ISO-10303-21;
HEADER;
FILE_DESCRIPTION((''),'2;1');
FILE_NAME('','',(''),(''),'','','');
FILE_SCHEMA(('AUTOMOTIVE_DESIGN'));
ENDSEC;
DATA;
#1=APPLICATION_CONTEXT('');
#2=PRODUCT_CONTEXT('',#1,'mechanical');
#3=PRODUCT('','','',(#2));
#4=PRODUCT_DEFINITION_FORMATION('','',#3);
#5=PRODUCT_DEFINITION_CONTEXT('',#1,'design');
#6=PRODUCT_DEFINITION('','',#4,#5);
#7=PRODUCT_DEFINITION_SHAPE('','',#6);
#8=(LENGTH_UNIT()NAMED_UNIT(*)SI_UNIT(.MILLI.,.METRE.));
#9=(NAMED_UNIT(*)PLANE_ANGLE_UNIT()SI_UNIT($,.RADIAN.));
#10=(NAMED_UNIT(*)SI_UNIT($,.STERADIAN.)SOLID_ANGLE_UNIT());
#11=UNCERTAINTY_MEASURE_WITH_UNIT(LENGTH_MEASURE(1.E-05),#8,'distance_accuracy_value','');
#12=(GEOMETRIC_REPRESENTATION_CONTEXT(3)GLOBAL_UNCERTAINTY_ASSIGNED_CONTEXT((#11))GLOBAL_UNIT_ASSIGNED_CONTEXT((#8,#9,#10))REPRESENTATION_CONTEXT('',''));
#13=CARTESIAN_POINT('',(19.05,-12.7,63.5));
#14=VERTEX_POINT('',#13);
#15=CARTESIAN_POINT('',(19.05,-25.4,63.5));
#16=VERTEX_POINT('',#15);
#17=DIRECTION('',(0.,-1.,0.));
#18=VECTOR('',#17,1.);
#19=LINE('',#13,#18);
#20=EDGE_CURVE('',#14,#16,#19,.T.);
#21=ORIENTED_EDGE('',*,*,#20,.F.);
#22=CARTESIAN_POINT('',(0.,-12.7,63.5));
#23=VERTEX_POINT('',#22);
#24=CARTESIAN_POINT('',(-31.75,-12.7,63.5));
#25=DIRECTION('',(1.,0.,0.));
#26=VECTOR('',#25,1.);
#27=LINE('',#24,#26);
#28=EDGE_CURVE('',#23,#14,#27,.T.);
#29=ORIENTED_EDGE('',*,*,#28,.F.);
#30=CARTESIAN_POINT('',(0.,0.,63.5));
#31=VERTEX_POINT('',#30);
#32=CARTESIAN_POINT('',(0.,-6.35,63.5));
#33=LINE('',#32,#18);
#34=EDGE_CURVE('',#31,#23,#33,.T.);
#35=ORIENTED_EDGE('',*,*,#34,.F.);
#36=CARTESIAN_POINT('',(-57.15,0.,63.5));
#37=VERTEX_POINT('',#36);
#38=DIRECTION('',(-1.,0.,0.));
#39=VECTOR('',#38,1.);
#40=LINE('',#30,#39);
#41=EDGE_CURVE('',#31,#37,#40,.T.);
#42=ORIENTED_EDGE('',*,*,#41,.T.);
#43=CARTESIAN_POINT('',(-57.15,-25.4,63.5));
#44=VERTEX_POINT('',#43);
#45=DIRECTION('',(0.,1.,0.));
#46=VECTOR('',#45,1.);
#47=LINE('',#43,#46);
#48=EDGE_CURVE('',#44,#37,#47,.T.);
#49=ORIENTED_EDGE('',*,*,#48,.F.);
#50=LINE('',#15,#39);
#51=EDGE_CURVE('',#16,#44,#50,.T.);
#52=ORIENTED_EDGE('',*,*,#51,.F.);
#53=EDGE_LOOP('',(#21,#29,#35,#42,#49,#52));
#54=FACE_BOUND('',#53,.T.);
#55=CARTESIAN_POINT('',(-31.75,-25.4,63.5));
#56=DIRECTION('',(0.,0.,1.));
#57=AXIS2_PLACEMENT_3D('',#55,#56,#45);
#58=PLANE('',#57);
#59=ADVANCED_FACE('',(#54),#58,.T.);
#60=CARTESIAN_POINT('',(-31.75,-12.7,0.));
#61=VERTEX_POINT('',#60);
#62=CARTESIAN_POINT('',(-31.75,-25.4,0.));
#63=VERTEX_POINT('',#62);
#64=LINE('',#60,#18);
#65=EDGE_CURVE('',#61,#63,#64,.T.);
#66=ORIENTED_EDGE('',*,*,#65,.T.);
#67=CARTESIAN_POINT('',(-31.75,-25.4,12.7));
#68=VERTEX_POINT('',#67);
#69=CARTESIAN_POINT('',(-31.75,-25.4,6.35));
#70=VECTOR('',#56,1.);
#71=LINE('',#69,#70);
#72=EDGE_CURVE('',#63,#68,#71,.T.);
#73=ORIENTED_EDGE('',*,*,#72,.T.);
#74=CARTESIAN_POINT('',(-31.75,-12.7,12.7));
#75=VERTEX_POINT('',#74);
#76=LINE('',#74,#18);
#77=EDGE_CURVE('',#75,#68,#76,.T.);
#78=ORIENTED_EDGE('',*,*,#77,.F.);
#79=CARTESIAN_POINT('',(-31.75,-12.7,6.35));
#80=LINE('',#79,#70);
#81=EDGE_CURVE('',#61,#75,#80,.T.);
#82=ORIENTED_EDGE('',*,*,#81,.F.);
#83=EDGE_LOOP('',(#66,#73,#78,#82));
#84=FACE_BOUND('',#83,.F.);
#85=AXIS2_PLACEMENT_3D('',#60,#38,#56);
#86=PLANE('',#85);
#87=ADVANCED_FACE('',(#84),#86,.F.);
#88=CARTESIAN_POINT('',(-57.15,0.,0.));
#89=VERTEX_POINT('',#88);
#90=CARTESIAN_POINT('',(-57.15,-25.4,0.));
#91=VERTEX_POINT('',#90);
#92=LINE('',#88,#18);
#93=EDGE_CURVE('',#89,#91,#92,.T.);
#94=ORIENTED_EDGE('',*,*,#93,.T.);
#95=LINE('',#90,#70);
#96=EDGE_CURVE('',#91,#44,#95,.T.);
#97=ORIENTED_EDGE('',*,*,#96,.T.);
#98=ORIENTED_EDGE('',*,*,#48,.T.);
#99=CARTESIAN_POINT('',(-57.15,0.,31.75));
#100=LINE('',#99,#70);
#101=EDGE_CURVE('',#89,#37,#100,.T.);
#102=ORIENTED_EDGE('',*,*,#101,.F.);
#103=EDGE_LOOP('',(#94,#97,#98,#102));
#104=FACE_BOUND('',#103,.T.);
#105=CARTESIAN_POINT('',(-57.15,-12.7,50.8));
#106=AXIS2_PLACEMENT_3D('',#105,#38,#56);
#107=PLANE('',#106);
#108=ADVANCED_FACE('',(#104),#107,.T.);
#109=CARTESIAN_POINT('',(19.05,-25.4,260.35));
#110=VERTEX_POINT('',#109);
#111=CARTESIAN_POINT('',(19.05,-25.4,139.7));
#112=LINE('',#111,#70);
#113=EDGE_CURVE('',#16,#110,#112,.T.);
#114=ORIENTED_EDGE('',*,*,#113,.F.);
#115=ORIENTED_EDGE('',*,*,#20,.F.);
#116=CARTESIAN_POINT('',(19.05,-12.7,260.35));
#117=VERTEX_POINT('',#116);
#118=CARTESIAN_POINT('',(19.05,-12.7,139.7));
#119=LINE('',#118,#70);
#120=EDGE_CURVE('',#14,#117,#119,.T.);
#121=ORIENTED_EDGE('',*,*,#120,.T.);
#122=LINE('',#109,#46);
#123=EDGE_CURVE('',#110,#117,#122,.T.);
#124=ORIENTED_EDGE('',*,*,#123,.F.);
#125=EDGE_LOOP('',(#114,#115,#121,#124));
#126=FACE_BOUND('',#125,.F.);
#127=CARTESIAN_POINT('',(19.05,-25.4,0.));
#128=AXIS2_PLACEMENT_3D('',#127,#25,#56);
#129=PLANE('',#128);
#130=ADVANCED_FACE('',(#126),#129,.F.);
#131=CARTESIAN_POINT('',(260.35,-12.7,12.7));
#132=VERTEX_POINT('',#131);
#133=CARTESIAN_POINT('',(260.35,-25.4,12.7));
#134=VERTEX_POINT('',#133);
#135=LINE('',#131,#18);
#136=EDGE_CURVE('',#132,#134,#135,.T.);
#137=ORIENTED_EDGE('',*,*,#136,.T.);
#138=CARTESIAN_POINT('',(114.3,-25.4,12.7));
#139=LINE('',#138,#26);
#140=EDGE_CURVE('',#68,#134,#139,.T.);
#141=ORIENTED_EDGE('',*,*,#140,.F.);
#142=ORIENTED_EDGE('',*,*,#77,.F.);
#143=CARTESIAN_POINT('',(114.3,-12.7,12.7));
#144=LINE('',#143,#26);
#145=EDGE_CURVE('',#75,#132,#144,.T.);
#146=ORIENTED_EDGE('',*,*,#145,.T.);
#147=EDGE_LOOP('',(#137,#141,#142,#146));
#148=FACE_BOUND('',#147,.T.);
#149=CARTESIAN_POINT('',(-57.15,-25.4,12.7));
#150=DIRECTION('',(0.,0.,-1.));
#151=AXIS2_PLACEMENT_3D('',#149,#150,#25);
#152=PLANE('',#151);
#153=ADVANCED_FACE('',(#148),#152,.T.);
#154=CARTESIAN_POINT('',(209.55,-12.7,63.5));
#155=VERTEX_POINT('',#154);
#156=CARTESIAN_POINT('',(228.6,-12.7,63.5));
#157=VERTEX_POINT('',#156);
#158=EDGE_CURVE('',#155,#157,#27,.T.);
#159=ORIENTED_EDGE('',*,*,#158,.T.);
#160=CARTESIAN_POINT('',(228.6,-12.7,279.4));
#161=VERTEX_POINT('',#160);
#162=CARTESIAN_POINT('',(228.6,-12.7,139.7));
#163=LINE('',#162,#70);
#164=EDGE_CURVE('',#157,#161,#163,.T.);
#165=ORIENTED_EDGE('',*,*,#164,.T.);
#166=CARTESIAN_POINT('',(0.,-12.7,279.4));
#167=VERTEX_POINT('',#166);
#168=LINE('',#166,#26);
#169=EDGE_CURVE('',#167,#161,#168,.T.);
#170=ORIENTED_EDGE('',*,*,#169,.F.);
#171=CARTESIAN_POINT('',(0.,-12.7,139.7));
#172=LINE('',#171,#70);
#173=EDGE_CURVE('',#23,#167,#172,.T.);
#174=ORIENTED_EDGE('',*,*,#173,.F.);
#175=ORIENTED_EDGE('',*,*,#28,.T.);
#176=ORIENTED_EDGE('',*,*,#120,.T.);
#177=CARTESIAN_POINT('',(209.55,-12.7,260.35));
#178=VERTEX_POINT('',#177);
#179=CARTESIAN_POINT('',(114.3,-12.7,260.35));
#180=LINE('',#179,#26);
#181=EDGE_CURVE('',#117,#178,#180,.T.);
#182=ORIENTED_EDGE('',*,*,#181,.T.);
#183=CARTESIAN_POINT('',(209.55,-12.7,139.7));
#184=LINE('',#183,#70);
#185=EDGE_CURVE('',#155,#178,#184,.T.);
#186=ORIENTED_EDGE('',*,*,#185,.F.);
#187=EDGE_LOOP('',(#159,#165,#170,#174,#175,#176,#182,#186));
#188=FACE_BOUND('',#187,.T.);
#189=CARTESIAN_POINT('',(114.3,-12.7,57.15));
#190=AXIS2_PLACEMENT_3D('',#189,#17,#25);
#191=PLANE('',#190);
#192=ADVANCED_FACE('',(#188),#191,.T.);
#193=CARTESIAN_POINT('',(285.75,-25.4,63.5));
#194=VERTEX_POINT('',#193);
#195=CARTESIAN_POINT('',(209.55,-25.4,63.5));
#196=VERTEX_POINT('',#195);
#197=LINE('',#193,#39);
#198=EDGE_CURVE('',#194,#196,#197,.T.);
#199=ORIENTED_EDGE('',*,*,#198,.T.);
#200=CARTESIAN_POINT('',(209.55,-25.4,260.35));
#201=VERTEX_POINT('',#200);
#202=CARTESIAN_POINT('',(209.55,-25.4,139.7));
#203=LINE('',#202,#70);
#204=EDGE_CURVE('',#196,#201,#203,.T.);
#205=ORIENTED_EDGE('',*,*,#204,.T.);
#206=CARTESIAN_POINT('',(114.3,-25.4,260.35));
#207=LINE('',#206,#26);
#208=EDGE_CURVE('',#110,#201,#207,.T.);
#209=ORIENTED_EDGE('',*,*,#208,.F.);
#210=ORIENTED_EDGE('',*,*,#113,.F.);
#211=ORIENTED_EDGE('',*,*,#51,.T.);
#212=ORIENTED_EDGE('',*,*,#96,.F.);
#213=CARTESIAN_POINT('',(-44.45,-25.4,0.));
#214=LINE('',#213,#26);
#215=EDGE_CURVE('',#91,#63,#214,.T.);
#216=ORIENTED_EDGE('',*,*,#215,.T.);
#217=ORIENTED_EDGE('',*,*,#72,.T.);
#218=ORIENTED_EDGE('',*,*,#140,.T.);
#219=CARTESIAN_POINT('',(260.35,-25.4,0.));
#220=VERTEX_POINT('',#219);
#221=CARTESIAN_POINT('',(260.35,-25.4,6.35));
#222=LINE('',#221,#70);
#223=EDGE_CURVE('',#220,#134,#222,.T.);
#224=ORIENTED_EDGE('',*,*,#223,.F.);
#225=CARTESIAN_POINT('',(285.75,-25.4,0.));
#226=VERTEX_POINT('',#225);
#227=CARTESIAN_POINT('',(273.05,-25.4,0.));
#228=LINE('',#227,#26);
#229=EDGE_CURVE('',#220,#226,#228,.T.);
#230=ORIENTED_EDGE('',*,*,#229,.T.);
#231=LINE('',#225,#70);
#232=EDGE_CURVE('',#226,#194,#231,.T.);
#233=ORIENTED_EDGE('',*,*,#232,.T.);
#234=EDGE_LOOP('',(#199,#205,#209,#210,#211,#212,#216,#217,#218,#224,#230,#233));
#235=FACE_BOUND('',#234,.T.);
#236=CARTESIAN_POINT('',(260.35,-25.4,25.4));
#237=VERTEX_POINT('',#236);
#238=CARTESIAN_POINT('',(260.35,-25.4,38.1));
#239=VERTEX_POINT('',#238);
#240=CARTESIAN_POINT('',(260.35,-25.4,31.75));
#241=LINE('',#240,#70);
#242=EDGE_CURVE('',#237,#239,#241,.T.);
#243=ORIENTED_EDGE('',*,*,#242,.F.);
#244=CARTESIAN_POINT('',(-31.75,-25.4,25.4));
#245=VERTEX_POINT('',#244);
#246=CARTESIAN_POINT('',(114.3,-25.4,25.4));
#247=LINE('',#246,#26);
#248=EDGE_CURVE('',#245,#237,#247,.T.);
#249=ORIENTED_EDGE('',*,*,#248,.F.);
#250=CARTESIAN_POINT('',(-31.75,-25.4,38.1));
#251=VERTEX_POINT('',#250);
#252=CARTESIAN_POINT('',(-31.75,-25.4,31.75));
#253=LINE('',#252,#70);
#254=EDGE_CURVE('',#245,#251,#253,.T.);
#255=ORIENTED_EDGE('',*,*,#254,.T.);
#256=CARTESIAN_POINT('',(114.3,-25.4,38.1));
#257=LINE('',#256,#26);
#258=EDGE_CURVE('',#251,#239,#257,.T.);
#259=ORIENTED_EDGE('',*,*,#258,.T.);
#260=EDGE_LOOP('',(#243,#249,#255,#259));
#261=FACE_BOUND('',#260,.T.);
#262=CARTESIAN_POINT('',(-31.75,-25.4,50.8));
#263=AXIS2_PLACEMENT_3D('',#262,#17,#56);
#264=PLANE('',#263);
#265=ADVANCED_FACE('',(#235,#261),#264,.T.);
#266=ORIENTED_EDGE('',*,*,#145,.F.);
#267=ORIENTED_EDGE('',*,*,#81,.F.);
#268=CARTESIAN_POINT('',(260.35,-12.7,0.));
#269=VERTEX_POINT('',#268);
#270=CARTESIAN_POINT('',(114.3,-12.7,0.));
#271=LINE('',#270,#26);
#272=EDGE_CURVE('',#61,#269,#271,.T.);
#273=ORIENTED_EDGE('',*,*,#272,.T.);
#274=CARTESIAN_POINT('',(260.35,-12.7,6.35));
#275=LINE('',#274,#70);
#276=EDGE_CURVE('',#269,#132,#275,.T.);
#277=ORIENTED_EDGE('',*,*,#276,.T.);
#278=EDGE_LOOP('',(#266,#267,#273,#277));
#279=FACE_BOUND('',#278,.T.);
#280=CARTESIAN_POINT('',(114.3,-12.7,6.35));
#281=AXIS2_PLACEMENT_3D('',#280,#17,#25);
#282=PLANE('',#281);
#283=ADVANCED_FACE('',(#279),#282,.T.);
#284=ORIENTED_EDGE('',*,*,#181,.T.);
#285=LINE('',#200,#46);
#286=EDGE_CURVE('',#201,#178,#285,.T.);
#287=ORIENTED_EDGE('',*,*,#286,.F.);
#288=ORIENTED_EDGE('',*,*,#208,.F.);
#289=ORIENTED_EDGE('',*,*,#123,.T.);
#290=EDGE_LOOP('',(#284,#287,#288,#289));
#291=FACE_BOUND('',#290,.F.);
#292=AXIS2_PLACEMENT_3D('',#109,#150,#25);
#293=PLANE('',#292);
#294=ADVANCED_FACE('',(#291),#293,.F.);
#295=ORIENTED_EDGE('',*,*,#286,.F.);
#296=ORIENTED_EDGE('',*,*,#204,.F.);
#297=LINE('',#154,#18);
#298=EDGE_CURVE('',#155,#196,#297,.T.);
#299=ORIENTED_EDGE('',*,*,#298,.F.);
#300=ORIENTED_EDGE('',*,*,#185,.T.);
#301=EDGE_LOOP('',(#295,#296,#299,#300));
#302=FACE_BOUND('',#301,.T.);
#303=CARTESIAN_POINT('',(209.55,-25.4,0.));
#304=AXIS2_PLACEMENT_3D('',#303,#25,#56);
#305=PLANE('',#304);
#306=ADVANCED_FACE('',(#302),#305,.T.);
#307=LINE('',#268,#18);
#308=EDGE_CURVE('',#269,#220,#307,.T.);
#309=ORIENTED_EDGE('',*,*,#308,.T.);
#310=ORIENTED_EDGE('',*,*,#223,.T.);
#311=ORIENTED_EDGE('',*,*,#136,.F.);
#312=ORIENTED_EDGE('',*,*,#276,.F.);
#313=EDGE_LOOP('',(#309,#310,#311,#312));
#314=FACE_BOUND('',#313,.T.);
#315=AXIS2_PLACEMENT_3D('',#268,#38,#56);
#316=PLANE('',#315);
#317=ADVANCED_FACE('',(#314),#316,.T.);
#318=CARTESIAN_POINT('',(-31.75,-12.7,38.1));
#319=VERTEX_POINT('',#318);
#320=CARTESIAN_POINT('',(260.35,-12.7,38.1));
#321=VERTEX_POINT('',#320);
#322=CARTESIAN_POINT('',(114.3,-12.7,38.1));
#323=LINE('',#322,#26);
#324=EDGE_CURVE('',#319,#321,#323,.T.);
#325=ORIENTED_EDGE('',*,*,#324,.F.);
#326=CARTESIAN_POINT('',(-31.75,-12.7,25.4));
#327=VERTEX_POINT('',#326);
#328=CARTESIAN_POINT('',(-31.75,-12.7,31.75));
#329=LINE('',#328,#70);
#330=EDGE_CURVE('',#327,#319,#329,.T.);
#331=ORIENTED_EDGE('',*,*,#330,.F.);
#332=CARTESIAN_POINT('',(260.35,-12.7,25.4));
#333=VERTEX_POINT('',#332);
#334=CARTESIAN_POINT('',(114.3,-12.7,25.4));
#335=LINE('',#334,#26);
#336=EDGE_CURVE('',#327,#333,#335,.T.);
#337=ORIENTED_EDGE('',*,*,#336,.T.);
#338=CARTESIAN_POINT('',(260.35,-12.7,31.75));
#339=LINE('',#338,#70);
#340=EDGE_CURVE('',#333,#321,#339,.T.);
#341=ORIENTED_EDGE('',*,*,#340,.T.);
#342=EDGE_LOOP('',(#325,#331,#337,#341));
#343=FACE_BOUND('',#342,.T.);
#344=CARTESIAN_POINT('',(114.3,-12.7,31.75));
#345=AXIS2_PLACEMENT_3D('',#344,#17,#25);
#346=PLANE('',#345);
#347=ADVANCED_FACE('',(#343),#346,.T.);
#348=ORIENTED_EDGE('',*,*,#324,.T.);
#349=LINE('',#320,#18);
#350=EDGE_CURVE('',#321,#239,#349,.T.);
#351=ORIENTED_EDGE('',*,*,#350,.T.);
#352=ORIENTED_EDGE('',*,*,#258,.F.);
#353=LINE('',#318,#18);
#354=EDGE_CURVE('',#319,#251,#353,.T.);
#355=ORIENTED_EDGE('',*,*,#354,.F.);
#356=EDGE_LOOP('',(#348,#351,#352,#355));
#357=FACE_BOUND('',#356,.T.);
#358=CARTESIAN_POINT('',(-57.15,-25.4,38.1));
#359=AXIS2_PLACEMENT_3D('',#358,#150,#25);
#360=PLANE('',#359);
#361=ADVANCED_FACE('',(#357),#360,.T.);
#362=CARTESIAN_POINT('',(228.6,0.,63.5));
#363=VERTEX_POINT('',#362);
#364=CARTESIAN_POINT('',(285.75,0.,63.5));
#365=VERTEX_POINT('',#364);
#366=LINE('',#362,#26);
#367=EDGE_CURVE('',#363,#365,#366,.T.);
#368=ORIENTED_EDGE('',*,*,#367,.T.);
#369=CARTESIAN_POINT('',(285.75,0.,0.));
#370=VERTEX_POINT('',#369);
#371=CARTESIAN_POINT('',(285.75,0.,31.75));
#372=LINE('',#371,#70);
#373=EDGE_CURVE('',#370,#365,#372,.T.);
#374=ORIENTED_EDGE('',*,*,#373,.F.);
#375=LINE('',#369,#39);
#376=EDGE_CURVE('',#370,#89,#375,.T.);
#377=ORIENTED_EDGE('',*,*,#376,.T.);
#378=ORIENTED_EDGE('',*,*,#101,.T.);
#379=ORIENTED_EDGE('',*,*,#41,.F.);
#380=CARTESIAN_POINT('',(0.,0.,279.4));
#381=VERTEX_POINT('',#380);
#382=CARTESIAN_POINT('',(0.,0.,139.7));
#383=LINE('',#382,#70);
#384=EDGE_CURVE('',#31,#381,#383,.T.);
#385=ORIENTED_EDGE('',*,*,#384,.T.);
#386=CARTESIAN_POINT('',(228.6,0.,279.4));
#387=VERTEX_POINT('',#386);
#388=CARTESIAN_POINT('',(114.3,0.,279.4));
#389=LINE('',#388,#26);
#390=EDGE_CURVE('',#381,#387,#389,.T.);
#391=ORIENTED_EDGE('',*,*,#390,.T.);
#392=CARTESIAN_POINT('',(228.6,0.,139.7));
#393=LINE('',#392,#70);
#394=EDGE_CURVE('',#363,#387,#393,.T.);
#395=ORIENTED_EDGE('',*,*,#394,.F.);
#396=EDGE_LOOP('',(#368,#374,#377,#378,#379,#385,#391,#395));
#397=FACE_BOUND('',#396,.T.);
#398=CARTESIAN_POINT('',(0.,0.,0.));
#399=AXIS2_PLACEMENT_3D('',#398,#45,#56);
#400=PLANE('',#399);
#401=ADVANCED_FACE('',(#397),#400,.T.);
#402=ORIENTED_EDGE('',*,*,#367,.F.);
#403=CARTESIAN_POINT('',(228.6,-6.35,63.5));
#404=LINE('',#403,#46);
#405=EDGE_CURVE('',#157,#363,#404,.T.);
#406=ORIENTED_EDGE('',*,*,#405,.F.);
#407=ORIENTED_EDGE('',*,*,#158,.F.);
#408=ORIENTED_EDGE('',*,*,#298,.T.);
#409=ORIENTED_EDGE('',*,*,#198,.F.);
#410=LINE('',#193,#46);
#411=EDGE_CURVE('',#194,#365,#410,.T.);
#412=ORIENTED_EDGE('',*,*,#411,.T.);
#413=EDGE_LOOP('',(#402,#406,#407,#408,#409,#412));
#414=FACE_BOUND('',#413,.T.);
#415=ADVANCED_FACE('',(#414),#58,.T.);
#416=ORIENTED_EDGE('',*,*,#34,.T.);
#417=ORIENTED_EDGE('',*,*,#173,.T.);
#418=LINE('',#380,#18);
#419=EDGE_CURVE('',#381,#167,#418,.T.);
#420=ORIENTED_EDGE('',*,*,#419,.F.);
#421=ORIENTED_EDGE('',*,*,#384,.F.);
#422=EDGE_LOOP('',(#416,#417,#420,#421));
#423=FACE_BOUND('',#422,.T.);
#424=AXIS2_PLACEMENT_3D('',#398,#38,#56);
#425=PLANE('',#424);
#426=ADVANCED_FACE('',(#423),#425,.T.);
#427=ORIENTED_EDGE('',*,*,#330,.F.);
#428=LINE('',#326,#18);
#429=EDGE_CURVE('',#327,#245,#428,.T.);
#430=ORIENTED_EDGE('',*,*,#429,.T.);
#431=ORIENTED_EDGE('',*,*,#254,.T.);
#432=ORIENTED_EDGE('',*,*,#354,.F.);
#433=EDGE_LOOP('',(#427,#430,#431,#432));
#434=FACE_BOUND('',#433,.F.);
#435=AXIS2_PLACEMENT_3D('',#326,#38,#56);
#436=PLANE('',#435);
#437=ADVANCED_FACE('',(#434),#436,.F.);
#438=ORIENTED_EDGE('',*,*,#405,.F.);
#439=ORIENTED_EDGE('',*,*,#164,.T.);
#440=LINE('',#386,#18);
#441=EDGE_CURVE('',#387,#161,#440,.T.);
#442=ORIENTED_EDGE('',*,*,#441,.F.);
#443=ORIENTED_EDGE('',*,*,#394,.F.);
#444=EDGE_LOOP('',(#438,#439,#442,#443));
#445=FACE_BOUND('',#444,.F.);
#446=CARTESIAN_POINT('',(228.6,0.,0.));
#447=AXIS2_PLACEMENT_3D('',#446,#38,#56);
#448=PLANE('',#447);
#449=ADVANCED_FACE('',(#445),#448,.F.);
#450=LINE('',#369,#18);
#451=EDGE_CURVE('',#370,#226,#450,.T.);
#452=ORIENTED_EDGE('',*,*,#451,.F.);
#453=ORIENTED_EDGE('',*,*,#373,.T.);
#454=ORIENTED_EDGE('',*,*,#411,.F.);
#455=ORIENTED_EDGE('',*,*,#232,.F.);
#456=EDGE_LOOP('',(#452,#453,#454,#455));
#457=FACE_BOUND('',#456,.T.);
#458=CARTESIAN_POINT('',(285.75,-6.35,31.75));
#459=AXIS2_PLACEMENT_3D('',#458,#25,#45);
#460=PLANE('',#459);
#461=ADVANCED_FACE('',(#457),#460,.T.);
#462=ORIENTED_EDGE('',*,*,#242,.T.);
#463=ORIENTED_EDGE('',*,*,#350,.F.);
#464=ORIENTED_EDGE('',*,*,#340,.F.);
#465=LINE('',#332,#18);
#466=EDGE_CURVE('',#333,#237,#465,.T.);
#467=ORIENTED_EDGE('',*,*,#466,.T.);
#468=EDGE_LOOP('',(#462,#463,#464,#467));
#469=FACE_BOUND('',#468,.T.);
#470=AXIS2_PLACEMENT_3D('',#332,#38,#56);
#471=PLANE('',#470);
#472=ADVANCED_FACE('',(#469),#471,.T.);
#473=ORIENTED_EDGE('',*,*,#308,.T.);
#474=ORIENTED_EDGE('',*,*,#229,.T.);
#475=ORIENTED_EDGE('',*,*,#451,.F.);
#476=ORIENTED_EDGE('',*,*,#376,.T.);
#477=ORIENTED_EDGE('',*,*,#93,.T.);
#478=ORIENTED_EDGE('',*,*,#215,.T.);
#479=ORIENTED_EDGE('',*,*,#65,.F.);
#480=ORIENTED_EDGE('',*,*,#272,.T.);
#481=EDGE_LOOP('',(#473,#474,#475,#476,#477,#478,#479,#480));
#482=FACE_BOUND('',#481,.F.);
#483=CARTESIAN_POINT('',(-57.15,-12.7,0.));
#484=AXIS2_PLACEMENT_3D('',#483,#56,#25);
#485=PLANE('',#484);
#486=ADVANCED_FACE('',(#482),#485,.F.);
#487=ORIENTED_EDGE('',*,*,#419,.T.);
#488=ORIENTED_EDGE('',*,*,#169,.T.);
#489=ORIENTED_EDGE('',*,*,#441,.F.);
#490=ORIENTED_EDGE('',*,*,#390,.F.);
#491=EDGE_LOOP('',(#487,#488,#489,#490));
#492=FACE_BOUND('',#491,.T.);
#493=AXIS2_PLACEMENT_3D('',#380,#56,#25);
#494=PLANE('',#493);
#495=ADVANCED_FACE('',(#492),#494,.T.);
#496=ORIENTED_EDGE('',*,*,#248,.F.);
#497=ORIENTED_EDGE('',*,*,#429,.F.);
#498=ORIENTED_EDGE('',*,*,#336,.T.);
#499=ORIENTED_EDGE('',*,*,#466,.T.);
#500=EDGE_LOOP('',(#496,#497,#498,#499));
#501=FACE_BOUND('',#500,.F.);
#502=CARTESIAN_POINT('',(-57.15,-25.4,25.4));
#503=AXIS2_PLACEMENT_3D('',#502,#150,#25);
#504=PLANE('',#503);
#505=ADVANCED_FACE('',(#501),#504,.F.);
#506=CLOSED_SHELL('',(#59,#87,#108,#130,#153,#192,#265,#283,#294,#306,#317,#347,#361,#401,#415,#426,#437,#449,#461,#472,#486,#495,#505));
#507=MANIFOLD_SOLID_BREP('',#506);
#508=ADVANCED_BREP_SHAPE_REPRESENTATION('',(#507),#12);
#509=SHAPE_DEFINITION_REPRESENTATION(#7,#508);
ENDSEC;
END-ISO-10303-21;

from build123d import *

# Parameters (mm, degrees)
F0_W       = 228.6
F0_H       = 279.4
F1_DEPTH   = 25.4
F2_W       = 19.05
F2_H       = 279.4
F3_DEPTH   = 12.7
F4_W       = 19.05
F4_H       = 279.4
F5_DEPTH   = 12.7
F6_W       = 190.5
F6_H       = 19.05
F7_DEPTH   = 12.7
F8_W       = 12.7
F8_H       = 63.5
F9_DEPTH   = 57.15
F10_W      = 12.7
F10_H      = 63.5
F11_DEPTH  = 57.15
F13_DEPTH  = 12.7
F14_W      = 342.9
F14_H      = 12.7
F15_DEPTH  = 12.7
F16_W      = 25.4
F16_H      = 12.7
F17_W      = 25.4
F17_H      = 12.7
F18_W      = 25.4
F18_H      = 12.7
F19_DEPTH  = 12.7
F19_FACE_W = 12.7
F19_FACE_H = 12.7
F20_DEPTH  = 304.8


with BuildPart() as f1:
    # F0 (on Front) → F1 (new body)
    with BuildSketch(Plane.XZ):
        with Locations((114.3, 139.7)):
            Rectangle(F0_W, F0_H)
    extrude(amount=F1_DEPTH)

    # F2 (on face) → F3 (cut)
    with BuildSketch(Plane.XZ.offset(25.4)):
        with Locations((219.075, 139.7)):
            Rectangle(F2_W, F2_H)
    extrude(amount=-F3_DEPTH, mode=Mode.SUBTRACT)

    # F4 (on face) → F5 (cut)
    with BuildSketch(Plane.XZ.offset(25.4)):
        with Locations((9.525, 139.7)):
            Rectangle(F4_W, F4_H)
    extrude(amount=-F5_DEPTH, mode=Mode.SUBTRACT)

    # F6 (on face) → F7 (cut)
    with BuildSketch(Plane.XZ.offset(25.4)):
        with Locations((114.3, 269.875)):
            Rectangle(F6_W, F6_H)
    extrude(amount=-F7_DEPTH, mode=Mode.SUBTRACT)

    # F8 (on face) → F9 (join)
    with BuildSketch(Plane.YZ.offset(228.6)):
        with Locations((-6.35, 31.75)):
            Rectangle(F8_W, F8_H)
    extrude(amount=F9_DEPTH)

    # F10 (on face) → F11 (join)
    with BuildSketch(Plane(origin=(0, 0, 0), x_dir=(0, -1, 0), z_dir=(-1, 0, 0))):
        with Locations((6.35, 31.75)):
            Rectangle(F10_W, F10_H)
    extrude(amount=F11_DEPTH)

    # F12 (on face) → F13 (join)
    with BuildSketch(Plane.XZ.offset(12.7)):
        Polygon((0, 63.5), (-57.15, 63.5), (-57.15, 0), (19.05, 0), (19.05, 63.5), align=None)
        Polygon((285.75, 63.5), (228.6, 63.5), (209.55, 63.5), (209.55, 0), (285.75, 0), align=None)
    extrude(amount=F13_DEPTH)

    # F14 (on face) → F15 (cut)
    with BuildSketch(Plane.XZ.offset(25.4)):
        Polygon((-57.15, 63.5), (-57.15, 50.8), (285.75, 50.8), (285.75, 63.5), (209.55, 63.5), (19.05, 63.5), align=None)
        with Locations((114.3, 31.75)):
            Rectangle(F14_W, F14_H)
        with Locations((114.3, 6.35)):
            Rectangle(F14_W, F14_H)
    extrude(amount=-F15_DEPTH, mode=Mode.SUBTRACT)

    # F16 (on face) + F17 (on face) + F18 (on face) → F19 (join)
    with BuildSketch(Plane.XZ.offset(12.7)):
        with Locations((-44.45, 57.15)):
            Rectangle(F16_W, F16_H)
        with Locations((273.05, 57.15)):
            Rectangle(F16_W, F16_H)
    with BuildSketch(Plane.XZ.offset(12.7)):
        with Locations((-44.45, 31.75)):
            Rectangle(F17_W, F17_H)
        with Locations((273.05, 31.75)):
            Rectangle(F17_W, F17_H)
    with BuildSketch(Plane.XZ.offset(12.7)):
        with Locations((-44.45, 6.35)):
            Rectangle(F18_W, F18_H)
        with Locations((273.05, 6.35)):
            Rectangle(F18_W, F18_H)
    extrude(amount=F19_DEPTH)

    # F19_face (on face) → F20 (join)
    with BuildSketch(Plane(origin=(-31.75, -19.05, 57.15), x_dir=(0, 1, 0), z_dir=(1, 0, 0))):
        Rectangle(F19_FACE_W, F19_FACE_H)
    extrude(amount=F20_DEPTH)


solid = f1.part
